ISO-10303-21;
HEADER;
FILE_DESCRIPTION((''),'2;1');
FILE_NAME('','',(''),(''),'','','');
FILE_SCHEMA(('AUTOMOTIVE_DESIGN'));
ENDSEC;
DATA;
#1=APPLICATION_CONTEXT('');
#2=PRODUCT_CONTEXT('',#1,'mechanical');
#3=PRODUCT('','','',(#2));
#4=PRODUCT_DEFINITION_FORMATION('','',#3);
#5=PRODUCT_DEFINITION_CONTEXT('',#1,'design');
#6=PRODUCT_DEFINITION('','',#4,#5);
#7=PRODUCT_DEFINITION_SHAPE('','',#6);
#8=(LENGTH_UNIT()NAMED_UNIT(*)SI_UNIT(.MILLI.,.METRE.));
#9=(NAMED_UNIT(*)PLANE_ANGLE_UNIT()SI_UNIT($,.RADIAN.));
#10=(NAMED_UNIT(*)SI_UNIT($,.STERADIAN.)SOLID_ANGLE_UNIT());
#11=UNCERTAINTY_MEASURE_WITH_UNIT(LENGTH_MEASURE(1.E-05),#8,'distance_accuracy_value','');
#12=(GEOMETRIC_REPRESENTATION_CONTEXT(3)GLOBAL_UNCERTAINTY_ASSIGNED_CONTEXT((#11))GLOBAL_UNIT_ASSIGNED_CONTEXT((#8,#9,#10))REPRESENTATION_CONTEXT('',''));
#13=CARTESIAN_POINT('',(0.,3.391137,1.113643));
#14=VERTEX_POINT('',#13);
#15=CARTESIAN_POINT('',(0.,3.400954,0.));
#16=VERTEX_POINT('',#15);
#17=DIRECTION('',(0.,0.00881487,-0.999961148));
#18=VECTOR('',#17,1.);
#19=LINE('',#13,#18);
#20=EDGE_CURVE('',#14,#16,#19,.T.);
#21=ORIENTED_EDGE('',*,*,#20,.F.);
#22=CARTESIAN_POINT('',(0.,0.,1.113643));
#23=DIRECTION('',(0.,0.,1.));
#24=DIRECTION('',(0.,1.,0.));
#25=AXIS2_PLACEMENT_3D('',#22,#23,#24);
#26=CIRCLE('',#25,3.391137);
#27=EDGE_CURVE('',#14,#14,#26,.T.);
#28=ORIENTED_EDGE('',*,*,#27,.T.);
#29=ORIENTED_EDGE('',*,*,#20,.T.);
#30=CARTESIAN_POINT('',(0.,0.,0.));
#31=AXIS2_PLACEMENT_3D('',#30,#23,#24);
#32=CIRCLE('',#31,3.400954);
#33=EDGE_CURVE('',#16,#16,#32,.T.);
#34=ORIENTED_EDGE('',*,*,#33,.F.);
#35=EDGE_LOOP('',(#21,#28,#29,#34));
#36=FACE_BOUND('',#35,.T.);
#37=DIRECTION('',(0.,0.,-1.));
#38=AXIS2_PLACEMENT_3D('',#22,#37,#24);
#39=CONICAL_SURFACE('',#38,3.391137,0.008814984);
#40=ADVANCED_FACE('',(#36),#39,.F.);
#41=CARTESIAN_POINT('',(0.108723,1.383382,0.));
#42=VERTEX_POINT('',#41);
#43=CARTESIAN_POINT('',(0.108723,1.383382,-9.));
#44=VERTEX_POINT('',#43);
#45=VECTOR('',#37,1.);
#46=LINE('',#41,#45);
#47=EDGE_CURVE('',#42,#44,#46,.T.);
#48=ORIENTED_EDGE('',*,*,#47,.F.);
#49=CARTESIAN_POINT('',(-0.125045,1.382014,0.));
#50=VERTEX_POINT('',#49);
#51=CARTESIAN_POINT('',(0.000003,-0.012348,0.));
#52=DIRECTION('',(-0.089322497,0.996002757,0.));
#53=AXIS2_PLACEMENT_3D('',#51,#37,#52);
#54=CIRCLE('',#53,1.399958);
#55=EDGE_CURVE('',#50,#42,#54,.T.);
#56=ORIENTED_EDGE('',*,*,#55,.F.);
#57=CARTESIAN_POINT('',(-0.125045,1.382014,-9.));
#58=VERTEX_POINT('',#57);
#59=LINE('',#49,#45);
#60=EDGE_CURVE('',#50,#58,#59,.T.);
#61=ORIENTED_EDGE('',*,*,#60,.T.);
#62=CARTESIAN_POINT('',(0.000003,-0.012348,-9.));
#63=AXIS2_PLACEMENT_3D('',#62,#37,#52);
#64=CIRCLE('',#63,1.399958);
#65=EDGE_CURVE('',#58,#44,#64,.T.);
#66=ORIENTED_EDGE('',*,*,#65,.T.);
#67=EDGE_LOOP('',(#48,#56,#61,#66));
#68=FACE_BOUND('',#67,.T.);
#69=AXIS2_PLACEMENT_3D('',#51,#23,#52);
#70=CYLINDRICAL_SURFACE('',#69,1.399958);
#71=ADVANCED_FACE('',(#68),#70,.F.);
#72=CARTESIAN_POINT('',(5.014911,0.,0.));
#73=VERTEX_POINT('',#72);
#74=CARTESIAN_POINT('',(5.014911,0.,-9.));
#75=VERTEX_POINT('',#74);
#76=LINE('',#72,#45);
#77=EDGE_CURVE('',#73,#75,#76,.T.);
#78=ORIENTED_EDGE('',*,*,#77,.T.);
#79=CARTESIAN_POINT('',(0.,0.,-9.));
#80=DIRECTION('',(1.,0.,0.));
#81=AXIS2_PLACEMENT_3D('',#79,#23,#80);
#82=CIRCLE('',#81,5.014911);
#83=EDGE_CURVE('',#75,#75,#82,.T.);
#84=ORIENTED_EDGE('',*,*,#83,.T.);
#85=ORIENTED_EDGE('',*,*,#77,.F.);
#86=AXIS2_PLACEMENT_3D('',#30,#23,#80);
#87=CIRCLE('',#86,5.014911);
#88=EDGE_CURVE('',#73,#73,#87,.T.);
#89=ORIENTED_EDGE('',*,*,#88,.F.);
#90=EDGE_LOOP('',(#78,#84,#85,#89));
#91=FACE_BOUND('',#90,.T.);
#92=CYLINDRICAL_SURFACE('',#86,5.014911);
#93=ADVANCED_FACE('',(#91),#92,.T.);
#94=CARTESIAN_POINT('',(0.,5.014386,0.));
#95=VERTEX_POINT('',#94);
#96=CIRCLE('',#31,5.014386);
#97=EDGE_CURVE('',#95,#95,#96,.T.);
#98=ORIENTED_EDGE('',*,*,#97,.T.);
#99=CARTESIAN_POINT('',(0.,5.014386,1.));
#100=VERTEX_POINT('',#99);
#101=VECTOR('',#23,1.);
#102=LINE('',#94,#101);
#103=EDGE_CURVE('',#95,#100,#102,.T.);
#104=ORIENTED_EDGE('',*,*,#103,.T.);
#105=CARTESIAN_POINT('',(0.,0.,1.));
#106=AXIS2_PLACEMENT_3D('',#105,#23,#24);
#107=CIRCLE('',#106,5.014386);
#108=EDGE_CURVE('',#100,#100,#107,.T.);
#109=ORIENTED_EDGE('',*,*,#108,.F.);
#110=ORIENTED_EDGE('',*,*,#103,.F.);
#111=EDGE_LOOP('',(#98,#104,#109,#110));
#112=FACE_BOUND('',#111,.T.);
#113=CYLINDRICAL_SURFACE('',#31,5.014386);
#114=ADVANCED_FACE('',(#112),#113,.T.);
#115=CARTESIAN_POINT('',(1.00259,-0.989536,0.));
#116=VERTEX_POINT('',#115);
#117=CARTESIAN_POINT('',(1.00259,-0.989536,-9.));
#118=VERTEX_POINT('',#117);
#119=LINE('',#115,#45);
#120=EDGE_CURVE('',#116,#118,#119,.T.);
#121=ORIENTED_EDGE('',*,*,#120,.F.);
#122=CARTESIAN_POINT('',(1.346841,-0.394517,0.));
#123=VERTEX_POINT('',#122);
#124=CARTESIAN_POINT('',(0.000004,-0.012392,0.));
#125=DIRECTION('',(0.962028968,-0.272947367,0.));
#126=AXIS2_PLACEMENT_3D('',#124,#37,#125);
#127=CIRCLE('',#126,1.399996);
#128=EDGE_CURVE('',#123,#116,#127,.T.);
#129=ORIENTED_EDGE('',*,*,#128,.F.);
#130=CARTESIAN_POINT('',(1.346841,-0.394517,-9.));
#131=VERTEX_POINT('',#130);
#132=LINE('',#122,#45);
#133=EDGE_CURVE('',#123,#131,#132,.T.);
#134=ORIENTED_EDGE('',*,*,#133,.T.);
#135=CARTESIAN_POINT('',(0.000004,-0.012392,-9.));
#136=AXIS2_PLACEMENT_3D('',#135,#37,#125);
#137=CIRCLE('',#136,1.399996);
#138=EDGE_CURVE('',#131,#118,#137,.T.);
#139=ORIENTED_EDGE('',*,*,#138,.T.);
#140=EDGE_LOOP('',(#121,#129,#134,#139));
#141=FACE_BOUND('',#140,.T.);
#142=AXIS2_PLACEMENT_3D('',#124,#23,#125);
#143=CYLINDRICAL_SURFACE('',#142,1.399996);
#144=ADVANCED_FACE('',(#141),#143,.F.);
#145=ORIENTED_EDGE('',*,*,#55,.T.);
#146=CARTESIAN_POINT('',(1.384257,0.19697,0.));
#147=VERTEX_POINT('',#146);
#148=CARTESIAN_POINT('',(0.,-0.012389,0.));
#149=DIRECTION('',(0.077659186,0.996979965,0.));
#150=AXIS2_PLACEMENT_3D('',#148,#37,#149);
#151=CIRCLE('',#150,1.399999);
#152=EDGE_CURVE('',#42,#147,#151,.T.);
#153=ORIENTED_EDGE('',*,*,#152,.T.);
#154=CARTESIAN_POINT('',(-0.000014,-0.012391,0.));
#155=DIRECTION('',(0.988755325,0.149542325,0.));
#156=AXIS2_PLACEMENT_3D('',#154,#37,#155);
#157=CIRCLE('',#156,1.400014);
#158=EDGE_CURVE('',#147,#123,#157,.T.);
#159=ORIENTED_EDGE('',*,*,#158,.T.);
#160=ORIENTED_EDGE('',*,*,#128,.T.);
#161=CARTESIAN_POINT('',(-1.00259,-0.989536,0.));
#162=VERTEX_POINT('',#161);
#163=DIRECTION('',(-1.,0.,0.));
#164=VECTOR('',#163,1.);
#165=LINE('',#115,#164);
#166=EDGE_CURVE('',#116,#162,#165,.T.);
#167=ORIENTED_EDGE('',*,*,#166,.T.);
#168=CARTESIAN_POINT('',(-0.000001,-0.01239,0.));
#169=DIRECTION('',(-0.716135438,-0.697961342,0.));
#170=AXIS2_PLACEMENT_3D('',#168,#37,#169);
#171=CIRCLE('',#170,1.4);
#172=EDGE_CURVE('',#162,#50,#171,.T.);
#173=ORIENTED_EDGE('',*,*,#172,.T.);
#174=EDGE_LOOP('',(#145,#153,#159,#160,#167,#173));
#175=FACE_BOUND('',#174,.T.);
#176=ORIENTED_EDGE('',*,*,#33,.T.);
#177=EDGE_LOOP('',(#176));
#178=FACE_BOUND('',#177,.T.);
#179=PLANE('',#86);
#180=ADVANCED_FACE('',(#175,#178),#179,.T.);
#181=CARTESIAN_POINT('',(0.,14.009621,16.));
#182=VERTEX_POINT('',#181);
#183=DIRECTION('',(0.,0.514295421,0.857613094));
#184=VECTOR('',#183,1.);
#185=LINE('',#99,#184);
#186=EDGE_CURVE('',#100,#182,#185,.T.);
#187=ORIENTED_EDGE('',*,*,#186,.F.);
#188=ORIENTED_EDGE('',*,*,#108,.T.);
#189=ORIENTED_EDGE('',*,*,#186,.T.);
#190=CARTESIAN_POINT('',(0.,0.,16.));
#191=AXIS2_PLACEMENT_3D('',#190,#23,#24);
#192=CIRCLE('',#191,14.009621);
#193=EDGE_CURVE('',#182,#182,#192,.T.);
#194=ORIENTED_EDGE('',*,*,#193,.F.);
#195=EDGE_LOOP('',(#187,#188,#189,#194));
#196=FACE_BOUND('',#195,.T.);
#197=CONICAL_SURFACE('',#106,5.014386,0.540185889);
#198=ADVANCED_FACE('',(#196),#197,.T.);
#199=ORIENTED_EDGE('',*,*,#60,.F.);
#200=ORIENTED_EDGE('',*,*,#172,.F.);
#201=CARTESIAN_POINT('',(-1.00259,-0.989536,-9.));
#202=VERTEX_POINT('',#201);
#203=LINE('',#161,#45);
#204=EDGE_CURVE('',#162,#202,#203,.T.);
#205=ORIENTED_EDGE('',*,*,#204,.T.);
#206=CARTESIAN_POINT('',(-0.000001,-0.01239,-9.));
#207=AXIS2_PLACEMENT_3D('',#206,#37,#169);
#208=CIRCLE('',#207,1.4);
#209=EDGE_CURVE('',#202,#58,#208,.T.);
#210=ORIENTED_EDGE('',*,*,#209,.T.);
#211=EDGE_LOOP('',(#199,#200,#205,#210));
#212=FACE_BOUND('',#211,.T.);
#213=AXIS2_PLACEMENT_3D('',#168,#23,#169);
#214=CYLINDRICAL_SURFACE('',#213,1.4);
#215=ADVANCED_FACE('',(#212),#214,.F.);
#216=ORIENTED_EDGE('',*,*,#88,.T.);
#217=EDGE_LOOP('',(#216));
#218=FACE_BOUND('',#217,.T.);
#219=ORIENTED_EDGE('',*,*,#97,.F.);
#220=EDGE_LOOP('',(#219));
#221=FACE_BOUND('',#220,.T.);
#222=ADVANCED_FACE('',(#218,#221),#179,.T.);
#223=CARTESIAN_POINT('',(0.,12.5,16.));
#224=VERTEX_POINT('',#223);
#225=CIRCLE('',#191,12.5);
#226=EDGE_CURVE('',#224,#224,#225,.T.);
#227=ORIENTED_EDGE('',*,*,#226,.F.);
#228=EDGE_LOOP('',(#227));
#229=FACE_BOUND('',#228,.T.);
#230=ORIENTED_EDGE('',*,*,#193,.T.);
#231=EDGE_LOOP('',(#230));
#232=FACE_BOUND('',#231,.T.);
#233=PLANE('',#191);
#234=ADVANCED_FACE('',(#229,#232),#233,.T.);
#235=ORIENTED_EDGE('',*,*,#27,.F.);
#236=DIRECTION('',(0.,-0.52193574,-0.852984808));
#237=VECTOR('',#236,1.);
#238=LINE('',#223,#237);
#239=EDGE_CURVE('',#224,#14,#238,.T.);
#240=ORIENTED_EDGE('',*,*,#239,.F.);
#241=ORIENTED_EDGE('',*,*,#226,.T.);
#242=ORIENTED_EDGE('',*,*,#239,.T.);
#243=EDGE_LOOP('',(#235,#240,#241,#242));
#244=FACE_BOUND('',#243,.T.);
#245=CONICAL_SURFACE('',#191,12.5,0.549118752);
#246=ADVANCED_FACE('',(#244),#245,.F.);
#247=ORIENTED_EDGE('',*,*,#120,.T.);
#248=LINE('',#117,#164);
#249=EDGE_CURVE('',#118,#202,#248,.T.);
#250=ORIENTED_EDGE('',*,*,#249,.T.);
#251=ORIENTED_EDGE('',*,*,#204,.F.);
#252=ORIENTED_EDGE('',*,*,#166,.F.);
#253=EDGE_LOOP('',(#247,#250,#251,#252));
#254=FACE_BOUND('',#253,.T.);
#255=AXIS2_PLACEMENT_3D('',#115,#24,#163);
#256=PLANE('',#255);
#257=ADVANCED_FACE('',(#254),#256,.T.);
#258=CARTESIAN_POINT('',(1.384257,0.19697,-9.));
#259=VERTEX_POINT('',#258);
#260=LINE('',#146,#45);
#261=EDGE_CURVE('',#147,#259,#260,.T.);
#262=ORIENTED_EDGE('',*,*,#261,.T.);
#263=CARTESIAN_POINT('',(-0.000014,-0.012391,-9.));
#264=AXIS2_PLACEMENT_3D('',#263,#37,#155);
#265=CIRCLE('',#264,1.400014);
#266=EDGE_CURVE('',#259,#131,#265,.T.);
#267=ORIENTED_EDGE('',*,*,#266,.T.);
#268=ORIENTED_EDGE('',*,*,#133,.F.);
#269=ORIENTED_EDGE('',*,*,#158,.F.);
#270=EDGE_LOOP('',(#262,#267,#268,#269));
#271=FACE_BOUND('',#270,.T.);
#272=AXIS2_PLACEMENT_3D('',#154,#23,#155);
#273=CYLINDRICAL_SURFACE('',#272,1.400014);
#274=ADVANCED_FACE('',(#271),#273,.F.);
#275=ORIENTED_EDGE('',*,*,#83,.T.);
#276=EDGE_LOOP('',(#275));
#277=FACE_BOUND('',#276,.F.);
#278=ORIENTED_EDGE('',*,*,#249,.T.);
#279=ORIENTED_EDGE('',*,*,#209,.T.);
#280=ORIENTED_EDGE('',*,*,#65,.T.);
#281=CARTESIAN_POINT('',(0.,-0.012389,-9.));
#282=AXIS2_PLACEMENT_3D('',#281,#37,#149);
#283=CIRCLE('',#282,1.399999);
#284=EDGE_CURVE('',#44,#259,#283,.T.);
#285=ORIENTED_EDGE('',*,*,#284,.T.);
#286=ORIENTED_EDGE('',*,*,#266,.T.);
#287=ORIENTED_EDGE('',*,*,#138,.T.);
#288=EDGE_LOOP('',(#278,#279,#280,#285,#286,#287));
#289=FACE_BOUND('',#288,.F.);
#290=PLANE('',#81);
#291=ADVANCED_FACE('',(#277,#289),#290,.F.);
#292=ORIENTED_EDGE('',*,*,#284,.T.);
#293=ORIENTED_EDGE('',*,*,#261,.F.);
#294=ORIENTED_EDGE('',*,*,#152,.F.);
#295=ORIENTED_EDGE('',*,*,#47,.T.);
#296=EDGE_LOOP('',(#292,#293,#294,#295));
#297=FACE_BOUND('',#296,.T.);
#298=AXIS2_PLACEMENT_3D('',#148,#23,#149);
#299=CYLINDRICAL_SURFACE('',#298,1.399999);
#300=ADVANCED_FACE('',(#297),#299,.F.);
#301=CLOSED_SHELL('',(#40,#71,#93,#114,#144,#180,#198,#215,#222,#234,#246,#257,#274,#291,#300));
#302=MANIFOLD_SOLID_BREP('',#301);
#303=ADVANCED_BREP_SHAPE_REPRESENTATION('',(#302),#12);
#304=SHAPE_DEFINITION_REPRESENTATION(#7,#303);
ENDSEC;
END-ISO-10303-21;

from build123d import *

# Parameters (mm, degrees)
F0_R     = 5.014911
F2_DEPTH = 9


with BuildPart() as f2:
    # F0 (on Top) → F2 (new body)
    with BuildSketch(Plane.XY):
        Circle(F0_R)
        with BuildLine():
            ThreePointArc((1.346841, -0.394517), (1.211804, -0.713484), (1.00259, -0.989536))
            Line((1.00259, -0.989536), (-1.00259, -0.989536))
            ThreePointArc((-1.00259, -0.989536), (-1.312994, 0.473457), (-0.125045, 1.382014))
            ThreePointArc((-0.125045, 1.382014), (-0.00819, 1.387586), (0.108723, 1.383382))
            ThreePointArc((0.108723, 1.383382), (0.953489, 1.012724), (1.384257, 0.19697))
            ThreePointArc((1.384257, 0.19697), (1.397207, -0.100776), (1.346841, -0.394517))
        make_face(mode=Mode.SUBTRACT)
    extrude(amount=-F2_DEPTH)

    # F1 (on Right) → F3 (revolve)
    with BuildSketch(Plane.YZ):
        Polygon((5.014386, 0), (5.014386, 1), (14.009621, 16), (12.5, 16), (3.391137, 1.113643), (3.400954, 0), align=None)
    revolve(axis=Axis((0, 0, 0), (0, 0, 1)))


solid = f2.part
